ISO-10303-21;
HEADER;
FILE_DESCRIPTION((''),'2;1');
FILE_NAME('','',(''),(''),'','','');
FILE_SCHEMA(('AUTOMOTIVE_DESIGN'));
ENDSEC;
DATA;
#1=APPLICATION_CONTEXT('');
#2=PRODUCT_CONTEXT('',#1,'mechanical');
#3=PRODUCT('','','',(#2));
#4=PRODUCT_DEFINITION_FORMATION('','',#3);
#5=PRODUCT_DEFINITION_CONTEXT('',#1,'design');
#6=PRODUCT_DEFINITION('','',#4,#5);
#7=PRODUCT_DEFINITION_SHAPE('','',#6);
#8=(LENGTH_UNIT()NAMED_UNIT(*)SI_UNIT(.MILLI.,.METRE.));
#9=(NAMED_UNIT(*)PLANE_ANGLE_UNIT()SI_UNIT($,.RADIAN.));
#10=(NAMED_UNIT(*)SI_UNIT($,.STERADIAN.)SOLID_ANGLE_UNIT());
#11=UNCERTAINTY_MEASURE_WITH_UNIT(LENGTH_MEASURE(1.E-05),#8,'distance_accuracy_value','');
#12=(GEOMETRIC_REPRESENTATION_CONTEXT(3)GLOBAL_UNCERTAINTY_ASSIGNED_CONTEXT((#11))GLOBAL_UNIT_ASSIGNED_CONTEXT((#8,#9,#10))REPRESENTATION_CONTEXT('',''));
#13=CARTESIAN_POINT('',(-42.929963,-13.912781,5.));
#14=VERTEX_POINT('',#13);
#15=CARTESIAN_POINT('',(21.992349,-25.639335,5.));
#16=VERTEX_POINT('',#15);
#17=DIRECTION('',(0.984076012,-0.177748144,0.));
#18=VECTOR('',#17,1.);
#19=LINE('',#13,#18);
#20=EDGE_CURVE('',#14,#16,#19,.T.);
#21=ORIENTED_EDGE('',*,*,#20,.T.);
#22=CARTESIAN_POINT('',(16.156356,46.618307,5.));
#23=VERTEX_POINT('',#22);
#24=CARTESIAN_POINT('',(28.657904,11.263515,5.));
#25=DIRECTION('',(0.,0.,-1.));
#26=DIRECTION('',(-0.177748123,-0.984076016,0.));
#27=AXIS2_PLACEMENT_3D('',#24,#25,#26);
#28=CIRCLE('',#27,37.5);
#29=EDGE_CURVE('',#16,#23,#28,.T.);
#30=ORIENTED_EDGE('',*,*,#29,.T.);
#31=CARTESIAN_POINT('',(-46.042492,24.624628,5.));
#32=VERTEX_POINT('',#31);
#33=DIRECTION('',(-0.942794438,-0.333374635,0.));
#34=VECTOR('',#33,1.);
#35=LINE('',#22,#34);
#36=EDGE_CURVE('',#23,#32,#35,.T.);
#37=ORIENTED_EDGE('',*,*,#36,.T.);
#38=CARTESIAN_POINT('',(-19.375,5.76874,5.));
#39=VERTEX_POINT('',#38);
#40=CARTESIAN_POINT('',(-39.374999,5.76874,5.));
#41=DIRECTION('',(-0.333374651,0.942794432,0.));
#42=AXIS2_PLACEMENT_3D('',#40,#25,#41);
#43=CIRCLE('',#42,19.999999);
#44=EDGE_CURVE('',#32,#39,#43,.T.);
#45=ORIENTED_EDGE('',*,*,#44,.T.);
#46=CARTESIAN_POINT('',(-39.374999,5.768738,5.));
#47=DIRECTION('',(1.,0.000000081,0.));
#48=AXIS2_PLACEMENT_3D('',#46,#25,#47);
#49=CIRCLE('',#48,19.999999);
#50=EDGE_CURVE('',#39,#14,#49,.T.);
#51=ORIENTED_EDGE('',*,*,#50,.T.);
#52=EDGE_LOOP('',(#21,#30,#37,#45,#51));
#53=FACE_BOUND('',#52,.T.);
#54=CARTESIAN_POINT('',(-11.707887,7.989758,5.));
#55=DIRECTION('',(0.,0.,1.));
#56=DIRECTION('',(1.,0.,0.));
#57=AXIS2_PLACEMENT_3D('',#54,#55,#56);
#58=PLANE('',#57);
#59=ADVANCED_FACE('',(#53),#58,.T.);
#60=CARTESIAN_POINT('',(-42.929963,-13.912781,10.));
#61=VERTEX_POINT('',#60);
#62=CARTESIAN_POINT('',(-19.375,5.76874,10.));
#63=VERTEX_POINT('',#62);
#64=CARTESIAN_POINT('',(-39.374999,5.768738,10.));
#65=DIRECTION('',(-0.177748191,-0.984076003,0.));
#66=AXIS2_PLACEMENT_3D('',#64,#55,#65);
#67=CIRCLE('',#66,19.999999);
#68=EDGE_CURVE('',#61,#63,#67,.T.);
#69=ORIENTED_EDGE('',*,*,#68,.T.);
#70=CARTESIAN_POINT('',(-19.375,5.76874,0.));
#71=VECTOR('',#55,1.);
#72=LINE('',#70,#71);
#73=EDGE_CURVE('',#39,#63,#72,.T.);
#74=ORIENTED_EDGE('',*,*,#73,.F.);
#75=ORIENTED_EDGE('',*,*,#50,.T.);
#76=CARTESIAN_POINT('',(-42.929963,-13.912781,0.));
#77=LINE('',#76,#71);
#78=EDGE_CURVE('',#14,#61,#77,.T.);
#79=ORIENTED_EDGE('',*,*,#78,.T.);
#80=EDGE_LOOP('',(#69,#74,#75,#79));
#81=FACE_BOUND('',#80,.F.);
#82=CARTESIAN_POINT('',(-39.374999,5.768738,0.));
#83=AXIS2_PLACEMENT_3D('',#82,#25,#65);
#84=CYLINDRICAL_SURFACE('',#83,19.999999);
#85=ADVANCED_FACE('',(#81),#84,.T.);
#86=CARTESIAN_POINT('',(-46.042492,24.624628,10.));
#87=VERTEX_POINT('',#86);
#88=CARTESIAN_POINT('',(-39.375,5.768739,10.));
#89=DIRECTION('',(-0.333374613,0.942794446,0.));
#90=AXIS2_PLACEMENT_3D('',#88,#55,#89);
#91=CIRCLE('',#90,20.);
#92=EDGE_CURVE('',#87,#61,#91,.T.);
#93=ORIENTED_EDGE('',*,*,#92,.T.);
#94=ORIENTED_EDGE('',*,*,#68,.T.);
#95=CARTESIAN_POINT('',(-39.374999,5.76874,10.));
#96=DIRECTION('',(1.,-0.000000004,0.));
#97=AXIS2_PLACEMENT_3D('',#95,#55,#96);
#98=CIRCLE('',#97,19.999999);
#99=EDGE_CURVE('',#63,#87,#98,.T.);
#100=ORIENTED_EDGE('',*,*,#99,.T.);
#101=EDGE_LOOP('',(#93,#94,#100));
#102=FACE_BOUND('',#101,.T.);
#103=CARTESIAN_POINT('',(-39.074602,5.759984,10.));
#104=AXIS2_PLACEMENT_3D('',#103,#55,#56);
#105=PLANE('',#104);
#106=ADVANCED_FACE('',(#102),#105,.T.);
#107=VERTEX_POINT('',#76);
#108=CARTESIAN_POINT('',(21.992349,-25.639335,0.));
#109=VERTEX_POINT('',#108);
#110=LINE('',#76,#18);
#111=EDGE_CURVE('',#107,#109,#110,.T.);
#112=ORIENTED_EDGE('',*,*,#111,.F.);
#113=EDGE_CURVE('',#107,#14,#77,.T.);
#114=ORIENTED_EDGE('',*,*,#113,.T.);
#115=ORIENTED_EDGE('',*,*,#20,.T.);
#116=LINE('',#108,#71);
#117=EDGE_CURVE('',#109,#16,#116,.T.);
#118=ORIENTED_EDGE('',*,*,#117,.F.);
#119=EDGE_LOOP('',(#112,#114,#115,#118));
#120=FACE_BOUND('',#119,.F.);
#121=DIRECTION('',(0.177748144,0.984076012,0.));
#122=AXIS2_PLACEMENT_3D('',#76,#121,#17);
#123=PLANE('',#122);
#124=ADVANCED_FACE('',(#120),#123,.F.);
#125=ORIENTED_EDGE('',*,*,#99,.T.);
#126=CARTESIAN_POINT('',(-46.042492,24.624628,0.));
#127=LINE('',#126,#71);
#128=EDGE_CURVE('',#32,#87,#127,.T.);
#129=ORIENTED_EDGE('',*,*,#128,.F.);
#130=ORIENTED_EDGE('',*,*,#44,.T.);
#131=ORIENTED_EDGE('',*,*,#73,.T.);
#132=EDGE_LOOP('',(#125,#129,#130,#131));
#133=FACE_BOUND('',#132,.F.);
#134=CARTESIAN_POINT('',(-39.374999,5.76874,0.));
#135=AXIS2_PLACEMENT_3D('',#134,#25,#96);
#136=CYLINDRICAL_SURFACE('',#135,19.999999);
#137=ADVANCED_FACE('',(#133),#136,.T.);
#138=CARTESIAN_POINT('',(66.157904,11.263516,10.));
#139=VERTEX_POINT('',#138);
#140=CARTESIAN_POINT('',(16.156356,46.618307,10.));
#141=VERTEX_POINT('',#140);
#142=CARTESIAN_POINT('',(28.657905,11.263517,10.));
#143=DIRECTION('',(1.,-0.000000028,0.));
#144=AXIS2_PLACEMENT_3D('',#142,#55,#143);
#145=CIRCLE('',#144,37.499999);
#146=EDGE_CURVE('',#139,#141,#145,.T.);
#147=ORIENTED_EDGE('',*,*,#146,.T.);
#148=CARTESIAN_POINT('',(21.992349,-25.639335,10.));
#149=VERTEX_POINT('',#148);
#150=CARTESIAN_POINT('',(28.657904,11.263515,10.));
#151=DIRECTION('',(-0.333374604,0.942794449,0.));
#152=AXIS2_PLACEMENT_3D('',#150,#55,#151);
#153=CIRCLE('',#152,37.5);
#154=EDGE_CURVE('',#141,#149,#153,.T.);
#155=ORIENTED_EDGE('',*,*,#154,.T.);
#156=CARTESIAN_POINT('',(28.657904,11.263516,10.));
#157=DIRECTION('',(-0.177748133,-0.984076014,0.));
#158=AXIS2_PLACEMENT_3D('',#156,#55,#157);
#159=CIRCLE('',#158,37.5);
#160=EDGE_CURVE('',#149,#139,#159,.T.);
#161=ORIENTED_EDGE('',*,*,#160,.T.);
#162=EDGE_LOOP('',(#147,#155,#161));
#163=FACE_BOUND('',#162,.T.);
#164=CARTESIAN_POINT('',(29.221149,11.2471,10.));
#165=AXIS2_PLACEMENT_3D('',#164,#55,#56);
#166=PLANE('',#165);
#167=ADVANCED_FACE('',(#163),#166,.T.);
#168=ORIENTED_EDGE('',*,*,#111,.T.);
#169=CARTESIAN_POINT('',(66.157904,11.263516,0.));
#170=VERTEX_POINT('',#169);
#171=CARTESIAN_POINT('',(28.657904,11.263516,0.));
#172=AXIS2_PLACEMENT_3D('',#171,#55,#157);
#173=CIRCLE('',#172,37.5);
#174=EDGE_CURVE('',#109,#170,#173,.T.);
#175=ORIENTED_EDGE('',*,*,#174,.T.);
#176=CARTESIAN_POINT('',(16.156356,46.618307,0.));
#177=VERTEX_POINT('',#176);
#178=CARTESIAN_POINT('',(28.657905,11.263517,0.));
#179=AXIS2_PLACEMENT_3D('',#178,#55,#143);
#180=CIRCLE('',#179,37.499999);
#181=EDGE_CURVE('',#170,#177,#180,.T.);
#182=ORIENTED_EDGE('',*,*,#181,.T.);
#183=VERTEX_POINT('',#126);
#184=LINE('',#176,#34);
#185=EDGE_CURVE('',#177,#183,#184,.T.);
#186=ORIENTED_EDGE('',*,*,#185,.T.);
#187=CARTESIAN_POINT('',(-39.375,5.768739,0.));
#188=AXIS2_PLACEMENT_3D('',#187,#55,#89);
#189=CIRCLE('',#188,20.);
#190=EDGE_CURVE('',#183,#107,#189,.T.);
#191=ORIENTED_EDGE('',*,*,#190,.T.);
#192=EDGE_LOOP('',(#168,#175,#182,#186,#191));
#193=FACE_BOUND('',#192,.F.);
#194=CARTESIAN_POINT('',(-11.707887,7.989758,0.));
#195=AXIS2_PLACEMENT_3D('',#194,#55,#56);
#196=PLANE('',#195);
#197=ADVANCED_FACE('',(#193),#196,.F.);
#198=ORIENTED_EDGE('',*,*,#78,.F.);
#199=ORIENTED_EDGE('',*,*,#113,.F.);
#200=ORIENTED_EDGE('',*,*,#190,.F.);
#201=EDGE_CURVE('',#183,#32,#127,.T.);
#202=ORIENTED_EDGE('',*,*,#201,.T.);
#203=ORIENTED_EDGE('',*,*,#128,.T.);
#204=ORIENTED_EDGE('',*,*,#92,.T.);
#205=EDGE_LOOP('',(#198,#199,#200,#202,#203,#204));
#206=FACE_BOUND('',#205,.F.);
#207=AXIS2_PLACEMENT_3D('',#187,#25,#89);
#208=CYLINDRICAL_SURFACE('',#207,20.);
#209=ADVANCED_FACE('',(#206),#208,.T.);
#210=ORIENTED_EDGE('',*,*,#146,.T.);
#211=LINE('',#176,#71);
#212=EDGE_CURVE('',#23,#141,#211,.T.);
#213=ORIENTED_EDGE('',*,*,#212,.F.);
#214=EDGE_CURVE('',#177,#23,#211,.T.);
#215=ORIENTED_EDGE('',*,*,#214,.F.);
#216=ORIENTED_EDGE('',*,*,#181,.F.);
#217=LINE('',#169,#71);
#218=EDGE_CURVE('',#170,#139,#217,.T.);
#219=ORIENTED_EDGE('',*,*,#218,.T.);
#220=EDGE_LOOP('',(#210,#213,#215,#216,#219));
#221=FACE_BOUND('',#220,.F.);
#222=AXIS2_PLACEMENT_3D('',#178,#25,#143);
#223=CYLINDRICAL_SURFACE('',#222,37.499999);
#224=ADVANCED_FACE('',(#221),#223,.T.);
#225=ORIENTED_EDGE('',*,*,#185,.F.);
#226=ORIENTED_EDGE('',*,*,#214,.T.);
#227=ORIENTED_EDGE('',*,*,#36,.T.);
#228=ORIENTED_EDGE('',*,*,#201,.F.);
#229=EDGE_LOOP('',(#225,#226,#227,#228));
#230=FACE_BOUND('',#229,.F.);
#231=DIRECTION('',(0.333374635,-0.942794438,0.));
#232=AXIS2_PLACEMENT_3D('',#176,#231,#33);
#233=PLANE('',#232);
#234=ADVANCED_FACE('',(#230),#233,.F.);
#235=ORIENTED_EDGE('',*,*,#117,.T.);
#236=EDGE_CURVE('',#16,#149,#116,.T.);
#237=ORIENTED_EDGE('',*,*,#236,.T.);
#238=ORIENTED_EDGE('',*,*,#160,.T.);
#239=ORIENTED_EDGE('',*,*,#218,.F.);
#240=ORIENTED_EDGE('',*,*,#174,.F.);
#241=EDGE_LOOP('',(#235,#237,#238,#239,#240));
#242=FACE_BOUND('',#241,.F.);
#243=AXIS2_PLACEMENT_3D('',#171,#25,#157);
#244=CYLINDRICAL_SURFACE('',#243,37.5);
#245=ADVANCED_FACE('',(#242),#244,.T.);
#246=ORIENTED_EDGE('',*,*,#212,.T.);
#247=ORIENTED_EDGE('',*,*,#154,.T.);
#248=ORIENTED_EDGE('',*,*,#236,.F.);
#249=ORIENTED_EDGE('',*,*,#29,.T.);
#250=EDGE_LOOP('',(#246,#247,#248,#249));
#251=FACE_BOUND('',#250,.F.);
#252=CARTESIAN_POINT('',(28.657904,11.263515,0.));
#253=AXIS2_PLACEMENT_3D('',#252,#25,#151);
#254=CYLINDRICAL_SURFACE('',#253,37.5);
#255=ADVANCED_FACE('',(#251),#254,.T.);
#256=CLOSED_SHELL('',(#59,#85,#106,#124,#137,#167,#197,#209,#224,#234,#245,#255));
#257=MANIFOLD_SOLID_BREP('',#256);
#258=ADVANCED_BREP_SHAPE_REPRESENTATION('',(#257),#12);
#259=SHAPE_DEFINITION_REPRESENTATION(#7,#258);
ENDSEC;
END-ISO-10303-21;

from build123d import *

# Parameters (mm, degrees)
F1_DEPTH = 10
F2_DEPTH = 5


with BuildPart() as f1:
    # F0 (on Top) → F1 (new body)
    with BuildSketch(Plane.XY):
        with BuildLine():
            ThreePointArc((-42.929963, -13.912781), (-26.551179, -9.578887), (-19.375, 5.76874))
            ThreePointArc((-19.375, 5.76874), (-27.828352, 22.098924), (-46.042492, 24.624628))
            ThreePointArc((-46.042492, 24.624628), (-59.310085, 4.158654), (-42.929963, -13.912781))
        make_face()
        with BuildLine():
            ThreePointArc((66.157904, 11.263516), (50.307869, 41.882612), (16.156356, 46.618307))
            ThreePointArc((16.156356, 46.618307), (-8.720381, 8.244604), (21.992349, -25.639335))
            ThreePointArc((21.992349, -25.639335), (52.702568, -17.513283), (66.157904, 11.263516))
        make_face()
    extrude(amount=F1_DEPTH)

    # F0 (on Top) → F2 (join)
    with BuildSketch(Plane.XY):
        with BuildLine():
            ThreePointArc((-46.042492, 24.624628), (-27.828352, 22.098924), (-19.375, 5.76874))
            ThreePointArc((-19.375, 5.76874), (-26.551179, -9.578887), (-42.929963, -13.912781))
            Line((-42.929963, -13.912781), (21.992349, -25.639335))
            ThreePointArc((21.992349, -25.639335), (-8.720381, 8.244604), (16.156356, 46.618307))
            Line((16.156356, 46.618307), (-46.042492, 24.624628))
        make_face()
    extrude(amount=F2_DEPTH)


solid = f1.part
